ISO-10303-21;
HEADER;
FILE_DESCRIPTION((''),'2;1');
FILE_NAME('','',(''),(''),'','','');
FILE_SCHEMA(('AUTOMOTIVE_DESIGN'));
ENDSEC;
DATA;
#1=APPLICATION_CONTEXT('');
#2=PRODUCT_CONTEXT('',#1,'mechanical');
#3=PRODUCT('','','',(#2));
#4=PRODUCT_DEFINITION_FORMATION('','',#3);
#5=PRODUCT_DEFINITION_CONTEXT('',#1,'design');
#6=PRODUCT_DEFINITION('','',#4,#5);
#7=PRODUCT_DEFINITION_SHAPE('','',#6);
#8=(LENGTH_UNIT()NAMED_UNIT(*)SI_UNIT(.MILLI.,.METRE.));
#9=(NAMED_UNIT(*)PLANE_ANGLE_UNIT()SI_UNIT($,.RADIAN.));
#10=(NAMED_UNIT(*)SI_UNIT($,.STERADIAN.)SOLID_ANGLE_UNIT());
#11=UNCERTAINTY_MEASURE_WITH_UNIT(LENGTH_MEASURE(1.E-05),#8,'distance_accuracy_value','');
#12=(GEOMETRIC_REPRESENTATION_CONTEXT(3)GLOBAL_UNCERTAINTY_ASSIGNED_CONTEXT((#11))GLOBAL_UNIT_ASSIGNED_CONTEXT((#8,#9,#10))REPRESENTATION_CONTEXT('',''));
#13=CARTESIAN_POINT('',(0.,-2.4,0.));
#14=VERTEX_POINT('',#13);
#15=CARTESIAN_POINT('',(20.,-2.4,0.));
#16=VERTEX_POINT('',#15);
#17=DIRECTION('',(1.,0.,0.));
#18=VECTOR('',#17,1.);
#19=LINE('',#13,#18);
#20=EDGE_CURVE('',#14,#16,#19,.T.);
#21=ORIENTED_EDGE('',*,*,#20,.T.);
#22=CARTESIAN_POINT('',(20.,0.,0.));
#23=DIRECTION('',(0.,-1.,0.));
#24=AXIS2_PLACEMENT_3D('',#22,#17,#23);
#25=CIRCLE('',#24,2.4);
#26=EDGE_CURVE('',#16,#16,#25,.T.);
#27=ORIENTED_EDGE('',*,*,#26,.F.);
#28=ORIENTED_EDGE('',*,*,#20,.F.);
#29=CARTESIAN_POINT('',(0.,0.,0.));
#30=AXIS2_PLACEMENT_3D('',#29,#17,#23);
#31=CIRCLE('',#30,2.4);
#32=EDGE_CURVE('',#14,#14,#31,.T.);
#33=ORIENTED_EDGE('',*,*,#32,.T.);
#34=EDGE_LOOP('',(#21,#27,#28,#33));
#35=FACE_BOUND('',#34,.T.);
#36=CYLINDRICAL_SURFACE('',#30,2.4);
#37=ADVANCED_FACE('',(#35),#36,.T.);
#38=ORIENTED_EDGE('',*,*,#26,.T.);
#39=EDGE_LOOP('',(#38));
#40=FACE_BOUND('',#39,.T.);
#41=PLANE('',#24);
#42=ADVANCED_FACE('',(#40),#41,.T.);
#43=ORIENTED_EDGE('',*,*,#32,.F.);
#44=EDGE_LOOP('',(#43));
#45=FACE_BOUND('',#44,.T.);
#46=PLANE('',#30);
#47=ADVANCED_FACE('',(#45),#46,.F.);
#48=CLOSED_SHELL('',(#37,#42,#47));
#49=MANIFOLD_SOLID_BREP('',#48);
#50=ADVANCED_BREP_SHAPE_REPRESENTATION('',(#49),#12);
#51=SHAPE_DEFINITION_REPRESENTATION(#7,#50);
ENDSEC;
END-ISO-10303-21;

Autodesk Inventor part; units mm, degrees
ref_plane "YZ Plane" through (0, 0, 0) normal (1, 0, 0) x (0, 1, 0)
ref_plane "XZ Plane" through (0, 0, 0) normal (0, 1, 0) x (-1, 0, 0)
ref_plane "XY Plane" through (0, 0, 0) normal (0, 0, 1) x (1, 0, 0)
sketch "Sketch1" plane through (0, 0, 0) normal (0, 0, 1) x (1, 0, 0)
  line L0 (0, 0) -> (20, 0)
  line L1 (0, 0) -> (0, -2.4)
  line L2 (20, -2.4) -> (20, 0)
  line L3 (0, -2.4) -> (20, -2.4)
  dimension "d0" = 20
  dimension "d1" = 2.4
revolve "Revolution1" add sketch "Sketch1" angle 360 about axis through (0, 0, 0) along (1, 0, 0)
properties part number "Axel Mk2"
